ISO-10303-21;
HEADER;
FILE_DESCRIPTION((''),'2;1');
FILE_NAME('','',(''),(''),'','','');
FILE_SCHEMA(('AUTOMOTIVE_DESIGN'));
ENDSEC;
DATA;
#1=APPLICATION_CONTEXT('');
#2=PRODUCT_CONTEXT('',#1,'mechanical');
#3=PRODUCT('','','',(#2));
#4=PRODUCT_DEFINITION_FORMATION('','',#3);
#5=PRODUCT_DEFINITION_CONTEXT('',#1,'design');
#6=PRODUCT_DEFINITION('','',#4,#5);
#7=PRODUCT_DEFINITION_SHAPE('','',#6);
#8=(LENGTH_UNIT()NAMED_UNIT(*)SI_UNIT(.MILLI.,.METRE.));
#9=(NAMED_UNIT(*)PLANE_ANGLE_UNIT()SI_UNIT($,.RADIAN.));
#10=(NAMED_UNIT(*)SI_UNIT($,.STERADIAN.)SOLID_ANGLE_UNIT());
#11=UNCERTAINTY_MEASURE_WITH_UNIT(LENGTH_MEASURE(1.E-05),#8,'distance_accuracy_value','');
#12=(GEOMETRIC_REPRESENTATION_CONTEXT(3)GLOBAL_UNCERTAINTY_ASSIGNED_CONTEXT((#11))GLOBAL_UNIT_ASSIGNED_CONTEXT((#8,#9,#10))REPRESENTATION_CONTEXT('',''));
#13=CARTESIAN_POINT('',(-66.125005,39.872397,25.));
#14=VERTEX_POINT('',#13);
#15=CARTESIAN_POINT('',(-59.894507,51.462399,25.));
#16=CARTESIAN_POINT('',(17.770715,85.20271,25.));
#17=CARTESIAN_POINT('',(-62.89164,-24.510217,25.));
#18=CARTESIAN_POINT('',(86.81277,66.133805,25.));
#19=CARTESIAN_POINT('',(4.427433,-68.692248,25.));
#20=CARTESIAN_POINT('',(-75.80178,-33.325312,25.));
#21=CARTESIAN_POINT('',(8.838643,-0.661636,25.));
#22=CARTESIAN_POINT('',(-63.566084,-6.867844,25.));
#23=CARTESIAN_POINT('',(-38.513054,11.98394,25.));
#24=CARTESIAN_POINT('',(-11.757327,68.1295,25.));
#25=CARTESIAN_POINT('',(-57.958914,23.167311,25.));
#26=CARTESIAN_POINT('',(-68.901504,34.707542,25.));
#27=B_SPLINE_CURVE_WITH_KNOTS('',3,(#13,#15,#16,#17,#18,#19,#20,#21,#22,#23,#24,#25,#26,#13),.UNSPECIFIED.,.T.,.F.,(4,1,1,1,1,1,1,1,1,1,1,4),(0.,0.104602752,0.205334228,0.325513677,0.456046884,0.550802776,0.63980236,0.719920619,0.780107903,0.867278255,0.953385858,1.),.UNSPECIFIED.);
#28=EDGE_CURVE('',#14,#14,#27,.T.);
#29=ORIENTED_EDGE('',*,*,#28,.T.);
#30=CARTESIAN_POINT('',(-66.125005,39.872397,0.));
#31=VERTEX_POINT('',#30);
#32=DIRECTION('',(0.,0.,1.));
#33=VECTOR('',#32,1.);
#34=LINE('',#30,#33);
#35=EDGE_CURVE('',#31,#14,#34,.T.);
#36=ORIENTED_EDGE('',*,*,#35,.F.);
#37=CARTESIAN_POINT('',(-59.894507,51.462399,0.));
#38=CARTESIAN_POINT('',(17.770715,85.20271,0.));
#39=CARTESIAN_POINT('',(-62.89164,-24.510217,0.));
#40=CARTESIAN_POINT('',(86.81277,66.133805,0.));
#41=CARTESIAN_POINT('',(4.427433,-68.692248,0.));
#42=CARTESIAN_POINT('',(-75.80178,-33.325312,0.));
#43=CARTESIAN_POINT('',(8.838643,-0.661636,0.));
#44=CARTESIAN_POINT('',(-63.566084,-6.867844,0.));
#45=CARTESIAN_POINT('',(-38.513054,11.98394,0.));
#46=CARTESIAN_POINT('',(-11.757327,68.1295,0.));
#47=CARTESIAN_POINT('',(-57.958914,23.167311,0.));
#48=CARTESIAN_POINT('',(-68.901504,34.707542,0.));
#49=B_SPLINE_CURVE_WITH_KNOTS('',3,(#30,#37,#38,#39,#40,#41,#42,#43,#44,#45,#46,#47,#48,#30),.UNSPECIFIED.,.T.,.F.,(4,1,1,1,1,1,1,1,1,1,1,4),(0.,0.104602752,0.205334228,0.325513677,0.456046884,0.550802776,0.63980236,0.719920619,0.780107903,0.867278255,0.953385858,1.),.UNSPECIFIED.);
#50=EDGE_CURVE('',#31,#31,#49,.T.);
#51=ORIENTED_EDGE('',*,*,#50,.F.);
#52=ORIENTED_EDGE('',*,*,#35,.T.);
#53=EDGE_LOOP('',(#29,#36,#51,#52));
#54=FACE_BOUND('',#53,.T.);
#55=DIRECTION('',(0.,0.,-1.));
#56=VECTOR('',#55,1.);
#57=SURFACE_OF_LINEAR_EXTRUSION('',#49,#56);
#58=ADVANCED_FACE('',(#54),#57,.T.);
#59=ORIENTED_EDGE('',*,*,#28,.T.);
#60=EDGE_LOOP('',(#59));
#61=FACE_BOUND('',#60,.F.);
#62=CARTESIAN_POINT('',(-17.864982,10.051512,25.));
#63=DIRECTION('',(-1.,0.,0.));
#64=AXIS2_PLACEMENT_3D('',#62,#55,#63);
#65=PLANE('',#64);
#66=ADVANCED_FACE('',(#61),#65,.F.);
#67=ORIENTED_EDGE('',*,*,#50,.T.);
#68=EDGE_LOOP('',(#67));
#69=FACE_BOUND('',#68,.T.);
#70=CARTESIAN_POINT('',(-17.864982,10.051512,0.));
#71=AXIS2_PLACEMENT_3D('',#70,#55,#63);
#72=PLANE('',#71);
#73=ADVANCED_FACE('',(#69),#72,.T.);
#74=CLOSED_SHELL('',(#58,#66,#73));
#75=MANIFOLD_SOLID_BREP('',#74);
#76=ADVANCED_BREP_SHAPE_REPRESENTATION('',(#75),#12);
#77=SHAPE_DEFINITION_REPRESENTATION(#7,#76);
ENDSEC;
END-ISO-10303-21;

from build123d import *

# Parameters (mm, degrees)
F1_DEPTH = 25


with BuildPart() as f1:
    # F0 (on Top) → F1 (new body)
    with BuildSketch(Plane.XY):
        with BuildLine():
            add(Edge.make_bspline(
                [(-66.1250054836, 39.8723967373), (-59.8945066934, 51.4623990074), (17.7707150564, 85.2027095931), (-62.8916395119, -24.5102169507), (86.8127695637, 66.1338050253), (4.42743267, -68.6922478949), (-75.8017796264, -33.3253123653), (8.838643315, -0.6616360943), (-63.5660840652, -6.867843622), (-38.5130540126, 11.9839395966), (-11.7573265057, 68.129500371), (-57.9589139431, 23.1673108221), (-68.9015037452, 34.7075420062), (-66.1250054836, 39.8723967373)],
                knots=[0, 0, 0, 0, 0.1046027517, 0.2053342277, 0.325513677, 0.4560468836, 0.5508027762, 0.6398023601, 0.7199206192, 0.7801079029, 0.8672782548, 0.9533858575, 1, 1, 1, 1], degree=3))
        make_face()
    extrude(amount=F1_DEPTH)


solid = f1.part
